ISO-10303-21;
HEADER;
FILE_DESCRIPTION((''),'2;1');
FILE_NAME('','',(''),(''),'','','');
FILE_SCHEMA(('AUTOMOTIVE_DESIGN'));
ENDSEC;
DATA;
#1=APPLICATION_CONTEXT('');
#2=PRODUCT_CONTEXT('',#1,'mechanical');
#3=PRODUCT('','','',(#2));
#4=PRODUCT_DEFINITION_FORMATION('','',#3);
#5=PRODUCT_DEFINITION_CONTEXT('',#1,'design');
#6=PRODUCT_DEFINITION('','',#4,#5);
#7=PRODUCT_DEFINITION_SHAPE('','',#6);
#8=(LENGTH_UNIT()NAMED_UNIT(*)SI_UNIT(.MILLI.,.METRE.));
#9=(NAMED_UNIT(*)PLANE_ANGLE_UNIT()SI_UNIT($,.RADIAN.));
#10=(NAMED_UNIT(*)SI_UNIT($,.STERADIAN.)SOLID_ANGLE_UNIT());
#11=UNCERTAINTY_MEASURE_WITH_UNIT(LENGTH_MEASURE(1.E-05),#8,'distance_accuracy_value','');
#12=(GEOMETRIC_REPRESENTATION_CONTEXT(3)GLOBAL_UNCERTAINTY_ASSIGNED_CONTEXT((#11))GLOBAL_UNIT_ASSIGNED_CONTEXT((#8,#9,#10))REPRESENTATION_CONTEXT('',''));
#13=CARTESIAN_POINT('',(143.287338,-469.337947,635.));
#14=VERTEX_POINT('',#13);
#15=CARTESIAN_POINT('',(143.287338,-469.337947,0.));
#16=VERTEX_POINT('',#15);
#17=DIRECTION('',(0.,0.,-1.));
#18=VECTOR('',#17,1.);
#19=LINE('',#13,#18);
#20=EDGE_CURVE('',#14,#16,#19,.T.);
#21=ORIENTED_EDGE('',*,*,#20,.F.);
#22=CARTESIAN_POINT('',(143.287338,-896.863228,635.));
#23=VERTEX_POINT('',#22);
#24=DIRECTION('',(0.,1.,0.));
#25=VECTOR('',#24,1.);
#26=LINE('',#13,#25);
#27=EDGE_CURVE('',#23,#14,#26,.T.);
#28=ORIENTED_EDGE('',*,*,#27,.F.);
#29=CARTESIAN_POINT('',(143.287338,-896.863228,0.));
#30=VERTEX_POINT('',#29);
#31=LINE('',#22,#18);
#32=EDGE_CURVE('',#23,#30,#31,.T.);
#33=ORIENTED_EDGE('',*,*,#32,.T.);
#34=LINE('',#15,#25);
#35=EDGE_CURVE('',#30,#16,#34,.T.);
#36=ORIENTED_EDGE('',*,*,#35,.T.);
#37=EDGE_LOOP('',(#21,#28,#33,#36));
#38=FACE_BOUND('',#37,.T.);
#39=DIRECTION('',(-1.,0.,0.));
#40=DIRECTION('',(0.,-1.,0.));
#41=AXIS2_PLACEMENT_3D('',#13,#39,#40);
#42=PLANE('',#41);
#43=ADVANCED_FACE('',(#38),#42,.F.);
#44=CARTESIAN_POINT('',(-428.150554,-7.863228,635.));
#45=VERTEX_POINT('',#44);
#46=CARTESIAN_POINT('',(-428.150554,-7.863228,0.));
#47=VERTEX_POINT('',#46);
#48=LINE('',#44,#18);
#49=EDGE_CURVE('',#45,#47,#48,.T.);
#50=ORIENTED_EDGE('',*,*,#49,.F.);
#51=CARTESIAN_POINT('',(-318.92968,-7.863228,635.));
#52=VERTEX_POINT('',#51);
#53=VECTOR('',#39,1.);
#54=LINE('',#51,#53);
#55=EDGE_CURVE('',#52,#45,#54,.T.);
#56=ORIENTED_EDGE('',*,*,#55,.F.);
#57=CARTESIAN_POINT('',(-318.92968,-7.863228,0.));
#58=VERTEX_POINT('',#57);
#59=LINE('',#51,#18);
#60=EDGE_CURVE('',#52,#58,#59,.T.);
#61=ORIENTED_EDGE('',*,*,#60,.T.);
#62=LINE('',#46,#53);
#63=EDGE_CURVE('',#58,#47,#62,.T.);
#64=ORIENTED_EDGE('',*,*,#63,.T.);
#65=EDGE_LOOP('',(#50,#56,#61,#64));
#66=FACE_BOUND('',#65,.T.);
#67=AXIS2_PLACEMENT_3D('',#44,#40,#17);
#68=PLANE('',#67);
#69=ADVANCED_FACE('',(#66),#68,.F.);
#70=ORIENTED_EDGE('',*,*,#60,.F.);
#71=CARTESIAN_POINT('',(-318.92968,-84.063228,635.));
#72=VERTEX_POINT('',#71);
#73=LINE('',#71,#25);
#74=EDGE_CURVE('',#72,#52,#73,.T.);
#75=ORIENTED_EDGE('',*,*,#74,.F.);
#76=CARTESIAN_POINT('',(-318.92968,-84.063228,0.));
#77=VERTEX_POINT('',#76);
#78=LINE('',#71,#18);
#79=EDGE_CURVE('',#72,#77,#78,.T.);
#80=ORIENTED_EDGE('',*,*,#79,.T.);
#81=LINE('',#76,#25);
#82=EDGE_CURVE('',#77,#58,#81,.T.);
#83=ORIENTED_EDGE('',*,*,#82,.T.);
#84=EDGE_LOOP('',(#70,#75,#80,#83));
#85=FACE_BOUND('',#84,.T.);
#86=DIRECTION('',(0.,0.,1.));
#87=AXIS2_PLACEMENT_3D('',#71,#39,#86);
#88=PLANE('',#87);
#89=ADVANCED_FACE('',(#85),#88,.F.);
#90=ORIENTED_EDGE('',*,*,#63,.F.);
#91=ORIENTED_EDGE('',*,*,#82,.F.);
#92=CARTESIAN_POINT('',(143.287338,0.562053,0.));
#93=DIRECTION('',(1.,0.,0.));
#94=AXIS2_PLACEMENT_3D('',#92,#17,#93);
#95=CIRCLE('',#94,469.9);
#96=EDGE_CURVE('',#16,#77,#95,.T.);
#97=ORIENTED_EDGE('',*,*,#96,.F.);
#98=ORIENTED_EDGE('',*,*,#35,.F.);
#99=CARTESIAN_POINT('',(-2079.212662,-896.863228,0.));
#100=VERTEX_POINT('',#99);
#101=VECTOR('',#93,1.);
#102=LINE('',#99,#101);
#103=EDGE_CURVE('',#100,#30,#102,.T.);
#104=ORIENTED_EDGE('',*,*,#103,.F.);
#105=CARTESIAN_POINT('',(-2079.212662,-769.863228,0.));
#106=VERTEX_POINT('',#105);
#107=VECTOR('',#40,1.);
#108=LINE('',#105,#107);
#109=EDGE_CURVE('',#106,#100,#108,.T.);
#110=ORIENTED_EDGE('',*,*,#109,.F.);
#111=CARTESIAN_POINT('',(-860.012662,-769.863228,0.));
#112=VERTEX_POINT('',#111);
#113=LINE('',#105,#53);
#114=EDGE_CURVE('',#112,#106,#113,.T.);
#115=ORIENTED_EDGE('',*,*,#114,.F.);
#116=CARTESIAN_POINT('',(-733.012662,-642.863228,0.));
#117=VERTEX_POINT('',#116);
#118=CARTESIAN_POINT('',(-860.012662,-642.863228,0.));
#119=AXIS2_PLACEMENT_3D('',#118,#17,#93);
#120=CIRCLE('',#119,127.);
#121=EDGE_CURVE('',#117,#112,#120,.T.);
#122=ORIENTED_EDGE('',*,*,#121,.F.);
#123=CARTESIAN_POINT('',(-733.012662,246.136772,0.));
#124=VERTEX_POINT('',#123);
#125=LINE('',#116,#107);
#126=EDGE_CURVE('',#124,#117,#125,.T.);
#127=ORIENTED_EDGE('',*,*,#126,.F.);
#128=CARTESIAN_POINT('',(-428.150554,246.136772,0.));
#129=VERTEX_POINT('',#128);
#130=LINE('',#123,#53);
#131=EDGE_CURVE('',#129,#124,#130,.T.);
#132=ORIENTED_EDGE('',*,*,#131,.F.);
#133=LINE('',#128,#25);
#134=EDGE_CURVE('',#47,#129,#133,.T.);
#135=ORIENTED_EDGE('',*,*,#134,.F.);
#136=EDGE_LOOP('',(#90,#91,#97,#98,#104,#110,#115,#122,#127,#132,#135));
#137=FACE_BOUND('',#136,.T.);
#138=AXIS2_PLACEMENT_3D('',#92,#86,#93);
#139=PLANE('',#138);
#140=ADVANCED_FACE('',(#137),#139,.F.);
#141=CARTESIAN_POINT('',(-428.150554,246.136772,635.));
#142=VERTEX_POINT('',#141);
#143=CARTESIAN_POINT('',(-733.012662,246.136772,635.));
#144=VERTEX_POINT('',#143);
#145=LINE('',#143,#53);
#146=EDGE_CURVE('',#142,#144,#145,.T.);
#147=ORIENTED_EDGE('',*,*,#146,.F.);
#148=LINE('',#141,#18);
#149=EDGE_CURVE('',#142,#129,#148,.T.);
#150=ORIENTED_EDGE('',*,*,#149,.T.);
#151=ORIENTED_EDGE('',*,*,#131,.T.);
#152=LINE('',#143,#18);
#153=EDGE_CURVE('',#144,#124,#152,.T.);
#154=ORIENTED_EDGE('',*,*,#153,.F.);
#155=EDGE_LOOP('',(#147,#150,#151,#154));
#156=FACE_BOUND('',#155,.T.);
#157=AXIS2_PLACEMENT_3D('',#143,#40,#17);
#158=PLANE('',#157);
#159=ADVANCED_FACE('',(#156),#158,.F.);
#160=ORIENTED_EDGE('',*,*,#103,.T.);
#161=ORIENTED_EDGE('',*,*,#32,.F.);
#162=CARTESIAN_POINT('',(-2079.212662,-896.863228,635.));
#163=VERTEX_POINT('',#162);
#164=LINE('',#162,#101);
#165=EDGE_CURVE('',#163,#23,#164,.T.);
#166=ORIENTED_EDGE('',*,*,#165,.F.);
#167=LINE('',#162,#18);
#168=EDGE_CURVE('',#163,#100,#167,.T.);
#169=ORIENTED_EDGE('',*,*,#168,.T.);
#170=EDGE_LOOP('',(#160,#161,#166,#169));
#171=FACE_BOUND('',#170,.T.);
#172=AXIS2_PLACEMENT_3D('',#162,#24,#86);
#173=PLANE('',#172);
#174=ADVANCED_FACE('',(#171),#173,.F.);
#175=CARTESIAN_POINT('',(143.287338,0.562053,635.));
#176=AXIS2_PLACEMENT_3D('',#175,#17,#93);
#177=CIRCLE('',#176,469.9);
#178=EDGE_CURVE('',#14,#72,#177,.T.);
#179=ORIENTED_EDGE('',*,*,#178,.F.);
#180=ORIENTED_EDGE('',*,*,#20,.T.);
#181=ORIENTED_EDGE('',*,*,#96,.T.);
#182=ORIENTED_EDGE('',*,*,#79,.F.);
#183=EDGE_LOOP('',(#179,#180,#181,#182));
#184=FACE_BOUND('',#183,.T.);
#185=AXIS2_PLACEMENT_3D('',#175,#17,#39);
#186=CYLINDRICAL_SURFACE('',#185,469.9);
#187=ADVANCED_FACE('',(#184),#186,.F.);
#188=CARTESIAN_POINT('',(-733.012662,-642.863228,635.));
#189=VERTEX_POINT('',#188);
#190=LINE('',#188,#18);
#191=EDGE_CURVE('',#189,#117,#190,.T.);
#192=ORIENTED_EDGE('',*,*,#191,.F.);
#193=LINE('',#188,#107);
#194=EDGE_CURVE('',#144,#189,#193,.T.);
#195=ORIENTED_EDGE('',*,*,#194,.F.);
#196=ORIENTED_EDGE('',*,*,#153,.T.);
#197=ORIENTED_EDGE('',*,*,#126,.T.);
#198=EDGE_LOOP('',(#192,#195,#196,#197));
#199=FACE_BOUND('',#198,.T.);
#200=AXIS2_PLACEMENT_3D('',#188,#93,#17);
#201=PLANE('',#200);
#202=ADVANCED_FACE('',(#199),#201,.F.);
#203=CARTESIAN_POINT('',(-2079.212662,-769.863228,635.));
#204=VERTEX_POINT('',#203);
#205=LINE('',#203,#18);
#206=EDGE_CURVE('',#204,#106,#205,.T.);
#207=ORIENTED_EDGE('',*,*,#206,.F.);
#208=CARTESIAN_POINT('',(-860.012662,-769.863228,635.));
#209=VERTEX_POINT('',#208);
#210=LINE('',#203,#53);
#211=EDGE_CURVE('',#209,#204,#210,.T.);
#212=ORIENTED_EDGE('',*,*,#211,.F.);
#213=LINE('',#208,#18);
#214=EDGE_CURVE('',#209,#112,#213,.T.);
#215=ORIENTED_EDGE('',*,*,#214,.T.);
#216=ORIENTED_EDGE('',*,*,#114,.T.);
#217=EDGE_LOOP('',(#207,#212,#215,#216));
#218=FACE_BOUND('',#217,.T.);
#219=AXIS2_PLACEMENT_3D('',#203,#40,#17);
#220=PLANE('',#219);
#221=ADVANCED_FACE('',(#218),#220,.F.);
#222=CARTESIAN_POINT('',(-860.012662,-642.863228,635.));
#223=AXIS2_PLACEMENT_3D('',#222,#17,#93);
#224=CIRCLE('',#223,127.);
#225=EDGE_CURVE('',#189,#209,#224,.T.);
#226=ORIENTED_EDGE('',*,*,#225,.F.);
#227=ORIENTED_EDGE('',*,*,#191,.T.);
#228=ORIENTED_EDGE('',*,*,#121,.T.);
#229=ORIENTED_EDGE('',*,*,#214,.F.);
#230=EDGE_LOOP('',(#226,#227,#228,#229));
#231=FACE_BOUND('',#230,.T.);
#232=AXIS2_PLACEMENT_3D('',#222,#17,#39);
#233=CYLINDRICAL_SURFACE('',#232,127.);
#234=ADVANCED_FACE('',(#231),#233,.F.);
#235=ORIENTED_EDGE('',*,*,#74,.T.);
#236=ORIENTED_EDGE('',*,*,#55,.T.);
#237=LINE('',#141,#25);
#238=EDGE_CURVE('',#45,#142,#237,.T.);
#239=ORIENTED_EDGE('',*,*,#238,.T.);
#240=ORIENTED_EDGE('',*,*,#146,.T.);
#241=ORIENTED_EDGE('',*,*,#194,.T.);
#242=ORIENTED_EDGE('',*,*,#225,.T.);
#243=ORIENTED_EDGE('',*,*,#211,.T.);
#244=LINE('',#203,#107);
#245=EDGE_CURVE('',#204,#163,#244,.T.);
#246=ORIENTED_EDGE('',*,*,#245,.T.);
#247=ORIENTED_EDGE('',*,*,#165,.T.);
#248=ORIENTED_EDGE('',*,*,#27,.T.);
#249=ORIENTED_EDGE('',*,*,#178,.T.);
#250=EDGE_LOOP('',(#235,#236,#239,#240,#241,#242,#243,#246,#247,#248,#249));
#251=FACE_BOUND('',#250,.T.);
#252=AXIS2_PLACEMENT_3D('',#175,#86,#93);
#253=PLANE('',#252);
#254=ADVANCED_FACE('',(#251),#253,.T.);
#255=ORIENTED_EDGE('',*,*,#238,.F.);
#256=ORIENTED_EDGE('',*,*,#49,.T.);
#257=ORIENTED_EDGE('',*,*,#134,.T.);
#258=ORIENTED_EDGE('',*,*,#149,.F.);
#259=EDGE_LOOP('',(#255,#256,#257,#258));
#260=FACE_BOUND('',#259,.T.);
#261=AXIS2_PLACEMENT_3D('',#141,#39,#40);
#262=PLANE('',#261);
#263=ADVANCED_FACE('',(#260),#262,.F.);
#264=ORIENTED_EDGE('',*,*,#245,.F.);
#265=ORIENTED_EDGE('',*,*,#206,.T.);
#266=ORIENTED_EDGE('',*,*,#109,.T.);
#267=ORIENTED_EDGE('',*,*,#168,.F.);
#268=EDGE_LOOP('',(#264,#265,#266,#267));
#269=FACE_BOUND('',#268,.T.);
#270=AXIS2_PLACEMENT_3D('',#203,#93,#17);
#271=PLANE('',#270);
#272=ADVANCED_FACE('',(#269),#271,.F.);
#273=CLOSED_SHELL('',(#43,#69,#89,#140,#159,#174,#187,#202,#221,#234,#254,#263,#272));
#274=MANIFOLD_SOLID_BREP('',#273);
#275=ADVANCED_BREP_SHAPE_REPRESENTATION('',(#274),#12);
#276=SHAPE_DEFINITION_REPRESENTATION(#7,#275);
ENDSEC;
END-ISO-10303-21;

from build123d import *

# Parameters (mm, degrees)
BOSS_EXTRUDE1_DEPTH = 635


with BuildPart() as part:
    # Sketch3 → Boss-Extrude1 (new body)
    with BuildSketch(Plane.XY):
        with BuildLine():
            Line((-2079.212661728, -769.863228), (-860.012661728, -769.863228))
            ThreePointArc((-860.012661728, -769.863228), (-770.210100518, -732.665789211), (-733.012661728, -642.863228))
            Line((-733.012661728, -642.863228), (-733.012661728, 246.136772))
            Line((-733.012661728, 246.136772), (-428.150553924, 246.136772))
            Line((-428.150553924, 246.136772), (-428.150553924, -7.863228))
            Line((-428.150553924, -7.863228), (-326.612661728, -7.863228))
            Line((-326.612661728, -7.863228), (-318.929679791, -7.863228))
            Line((-318.929679791, -7.863228), (-318.929679791, -84.063228))
            ThreePointArc((-318.929679791, -84.063228), (-157.578570713, -360.389072068), (143.287338272, -469.33794683))
            Line((143.287338272, -469.33794683), (143.287338272, -896.863228))
            Line((143.287338272, -896.863228), (-2079.212661728, -896.863228))
            Line((-2079.212661728, -896.863228), (-2079.212661728, -769.863228))
        make_face()
    extrude(amount=BOSS_EXTRUDE1_DEPTH)


solid = part.part
